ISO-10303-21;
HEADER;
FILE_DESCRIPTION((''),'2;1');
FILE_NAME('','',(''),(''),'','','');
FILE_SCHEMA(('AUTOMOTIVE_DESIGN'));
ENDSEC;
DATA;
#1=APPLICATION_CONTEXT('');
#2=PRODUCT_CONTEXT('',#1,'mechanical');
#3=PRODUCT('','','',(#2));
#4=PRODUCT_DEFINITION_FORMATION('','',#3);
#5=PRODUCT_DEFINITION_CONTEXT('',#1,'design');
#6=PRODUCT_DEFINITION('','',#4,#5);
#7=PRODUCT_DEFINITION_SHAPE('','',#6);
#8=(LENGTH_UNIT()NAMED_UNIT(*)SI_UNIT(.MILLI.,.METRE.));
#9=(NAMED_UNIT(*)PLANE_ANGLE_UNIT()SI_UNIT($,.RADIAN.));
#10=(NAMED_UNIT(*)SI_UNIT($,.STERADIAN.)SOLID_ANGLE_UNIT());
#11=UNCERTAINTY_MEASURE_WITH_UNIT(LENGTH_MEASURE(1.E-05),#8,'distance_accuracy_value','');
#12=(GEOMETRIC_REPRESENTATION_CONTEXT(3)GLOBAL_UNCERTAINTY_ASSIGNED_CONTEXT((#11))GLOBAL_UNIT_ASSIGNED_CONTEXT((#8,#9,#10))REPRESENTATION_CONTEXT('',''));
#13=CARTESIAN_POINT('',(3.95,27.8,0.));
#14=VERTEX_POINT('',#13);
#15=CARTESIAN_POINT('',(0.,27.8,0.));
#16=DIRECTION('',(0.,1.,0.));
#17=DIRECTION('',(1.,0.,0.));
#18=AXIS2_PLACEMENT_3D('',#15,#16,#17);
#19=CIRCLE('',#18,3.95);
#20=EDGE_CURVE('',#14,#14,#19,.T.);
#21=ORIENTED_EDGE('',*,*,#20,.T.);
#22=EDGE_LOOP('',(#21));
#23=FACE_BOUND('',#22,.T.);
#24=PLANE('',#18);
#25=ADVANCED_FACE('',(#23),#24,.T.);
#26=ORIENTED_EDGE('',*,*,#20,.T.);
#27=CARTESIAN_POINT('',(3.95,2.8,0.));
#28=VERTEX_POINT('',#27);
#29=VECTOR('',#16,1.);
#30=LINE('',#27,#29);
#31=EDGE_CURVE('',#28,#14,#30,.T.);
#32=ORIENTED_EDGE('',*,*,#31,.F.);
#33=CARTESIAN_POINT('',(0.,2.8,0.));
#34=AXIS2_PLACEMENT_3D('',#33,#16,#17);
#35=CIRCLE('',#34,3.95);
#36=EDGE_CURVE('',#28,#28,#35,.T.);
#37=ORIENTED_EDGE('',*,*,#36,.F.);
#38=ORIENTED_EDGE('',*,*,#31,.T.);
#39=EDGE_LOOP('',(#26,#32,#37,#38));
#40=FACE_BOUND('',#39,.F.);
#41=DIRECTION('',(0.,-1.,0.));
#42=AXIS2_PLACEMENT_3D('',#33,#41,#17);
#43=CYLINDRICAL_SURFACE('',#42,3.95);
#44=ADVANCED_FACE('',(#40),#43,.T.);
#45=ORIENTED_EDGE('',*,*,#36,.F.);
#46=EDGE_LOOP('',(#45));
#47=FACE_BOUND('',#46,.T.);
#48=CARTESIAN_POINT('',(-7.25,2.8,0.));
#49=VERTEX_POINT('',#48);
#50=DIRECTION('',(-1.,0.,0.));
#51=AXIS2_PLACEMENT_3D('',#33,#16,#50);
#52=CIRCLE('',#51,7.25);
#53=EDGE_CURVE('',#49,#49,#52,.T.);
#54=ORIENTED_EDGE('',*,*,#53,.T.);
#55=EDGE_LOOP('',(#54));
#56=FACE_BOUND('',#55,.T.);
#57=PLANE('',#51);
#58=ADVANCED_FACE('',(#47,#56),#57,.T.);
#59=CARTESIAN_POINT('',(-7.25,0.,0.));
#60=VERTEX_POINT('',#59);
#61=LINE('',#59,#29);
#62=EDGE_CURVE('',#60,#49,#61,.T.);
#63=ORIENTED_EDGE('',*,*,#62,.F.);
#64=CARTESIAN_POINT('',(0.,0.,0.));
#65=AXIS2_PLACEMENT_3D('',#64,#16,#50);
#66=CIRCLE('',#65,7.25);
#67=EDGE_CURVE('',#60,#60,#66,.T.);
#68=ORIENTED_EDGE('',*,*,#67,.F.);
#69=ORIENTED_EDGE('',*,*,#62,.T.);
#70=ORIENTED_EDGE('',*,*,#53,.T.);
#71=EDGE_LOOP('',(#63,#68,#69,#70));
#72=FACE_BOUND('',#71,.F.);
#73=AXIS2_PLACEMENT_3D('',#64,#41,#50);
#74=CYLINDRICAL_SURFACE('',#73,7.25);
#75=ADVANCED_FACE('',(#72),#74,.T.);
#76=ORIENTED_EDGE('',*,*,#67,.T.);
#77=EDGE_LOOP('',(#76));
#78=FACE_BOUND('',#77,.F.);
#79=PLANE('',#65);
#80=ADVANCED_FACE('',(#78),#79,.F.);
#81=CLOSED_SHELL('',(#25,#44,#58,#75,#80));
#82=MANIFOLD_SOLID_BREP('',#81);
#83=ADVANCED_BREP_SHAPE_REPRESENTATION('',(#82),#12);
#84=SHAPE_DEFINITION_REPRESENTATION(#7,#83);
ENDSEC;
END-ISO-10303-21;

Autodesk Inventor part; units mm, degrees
ref_plane "YZ Plane" through (0, 0, 0) normal (1, 0, 0) x (0, 1, 0)
ref_plane "XZ Plane" through (0, 0, 0) normal (0, 1, 0) x (-1, 0, 0)
ref_plane "XY Plane" through (0, 0, 0) normal (0, 0, 1) x (1, 0, 0)
sketch "Sketch5" plane through (0, 0, 0) normal (0, 1, 0) x (-1, 0, 0)
  circle A0 centre (0, 0) radius 7.25
  dimension "d9" = 14.5
extrude "Extrusion4" add sketch "Sketch5" along normal blind 2.8
sketch "Sketch6" plane through (0, 2.8, 0) normal (0, 1, 0) x (1, 0, 0)
  circle A0 centre (0, 0) radius 3.95
  dimension "d12" = 7.9
extrude "Extrusion5" add sketch "Sketch6" along normal blind 25
properties part number "x-axis-replacement-shaft"
